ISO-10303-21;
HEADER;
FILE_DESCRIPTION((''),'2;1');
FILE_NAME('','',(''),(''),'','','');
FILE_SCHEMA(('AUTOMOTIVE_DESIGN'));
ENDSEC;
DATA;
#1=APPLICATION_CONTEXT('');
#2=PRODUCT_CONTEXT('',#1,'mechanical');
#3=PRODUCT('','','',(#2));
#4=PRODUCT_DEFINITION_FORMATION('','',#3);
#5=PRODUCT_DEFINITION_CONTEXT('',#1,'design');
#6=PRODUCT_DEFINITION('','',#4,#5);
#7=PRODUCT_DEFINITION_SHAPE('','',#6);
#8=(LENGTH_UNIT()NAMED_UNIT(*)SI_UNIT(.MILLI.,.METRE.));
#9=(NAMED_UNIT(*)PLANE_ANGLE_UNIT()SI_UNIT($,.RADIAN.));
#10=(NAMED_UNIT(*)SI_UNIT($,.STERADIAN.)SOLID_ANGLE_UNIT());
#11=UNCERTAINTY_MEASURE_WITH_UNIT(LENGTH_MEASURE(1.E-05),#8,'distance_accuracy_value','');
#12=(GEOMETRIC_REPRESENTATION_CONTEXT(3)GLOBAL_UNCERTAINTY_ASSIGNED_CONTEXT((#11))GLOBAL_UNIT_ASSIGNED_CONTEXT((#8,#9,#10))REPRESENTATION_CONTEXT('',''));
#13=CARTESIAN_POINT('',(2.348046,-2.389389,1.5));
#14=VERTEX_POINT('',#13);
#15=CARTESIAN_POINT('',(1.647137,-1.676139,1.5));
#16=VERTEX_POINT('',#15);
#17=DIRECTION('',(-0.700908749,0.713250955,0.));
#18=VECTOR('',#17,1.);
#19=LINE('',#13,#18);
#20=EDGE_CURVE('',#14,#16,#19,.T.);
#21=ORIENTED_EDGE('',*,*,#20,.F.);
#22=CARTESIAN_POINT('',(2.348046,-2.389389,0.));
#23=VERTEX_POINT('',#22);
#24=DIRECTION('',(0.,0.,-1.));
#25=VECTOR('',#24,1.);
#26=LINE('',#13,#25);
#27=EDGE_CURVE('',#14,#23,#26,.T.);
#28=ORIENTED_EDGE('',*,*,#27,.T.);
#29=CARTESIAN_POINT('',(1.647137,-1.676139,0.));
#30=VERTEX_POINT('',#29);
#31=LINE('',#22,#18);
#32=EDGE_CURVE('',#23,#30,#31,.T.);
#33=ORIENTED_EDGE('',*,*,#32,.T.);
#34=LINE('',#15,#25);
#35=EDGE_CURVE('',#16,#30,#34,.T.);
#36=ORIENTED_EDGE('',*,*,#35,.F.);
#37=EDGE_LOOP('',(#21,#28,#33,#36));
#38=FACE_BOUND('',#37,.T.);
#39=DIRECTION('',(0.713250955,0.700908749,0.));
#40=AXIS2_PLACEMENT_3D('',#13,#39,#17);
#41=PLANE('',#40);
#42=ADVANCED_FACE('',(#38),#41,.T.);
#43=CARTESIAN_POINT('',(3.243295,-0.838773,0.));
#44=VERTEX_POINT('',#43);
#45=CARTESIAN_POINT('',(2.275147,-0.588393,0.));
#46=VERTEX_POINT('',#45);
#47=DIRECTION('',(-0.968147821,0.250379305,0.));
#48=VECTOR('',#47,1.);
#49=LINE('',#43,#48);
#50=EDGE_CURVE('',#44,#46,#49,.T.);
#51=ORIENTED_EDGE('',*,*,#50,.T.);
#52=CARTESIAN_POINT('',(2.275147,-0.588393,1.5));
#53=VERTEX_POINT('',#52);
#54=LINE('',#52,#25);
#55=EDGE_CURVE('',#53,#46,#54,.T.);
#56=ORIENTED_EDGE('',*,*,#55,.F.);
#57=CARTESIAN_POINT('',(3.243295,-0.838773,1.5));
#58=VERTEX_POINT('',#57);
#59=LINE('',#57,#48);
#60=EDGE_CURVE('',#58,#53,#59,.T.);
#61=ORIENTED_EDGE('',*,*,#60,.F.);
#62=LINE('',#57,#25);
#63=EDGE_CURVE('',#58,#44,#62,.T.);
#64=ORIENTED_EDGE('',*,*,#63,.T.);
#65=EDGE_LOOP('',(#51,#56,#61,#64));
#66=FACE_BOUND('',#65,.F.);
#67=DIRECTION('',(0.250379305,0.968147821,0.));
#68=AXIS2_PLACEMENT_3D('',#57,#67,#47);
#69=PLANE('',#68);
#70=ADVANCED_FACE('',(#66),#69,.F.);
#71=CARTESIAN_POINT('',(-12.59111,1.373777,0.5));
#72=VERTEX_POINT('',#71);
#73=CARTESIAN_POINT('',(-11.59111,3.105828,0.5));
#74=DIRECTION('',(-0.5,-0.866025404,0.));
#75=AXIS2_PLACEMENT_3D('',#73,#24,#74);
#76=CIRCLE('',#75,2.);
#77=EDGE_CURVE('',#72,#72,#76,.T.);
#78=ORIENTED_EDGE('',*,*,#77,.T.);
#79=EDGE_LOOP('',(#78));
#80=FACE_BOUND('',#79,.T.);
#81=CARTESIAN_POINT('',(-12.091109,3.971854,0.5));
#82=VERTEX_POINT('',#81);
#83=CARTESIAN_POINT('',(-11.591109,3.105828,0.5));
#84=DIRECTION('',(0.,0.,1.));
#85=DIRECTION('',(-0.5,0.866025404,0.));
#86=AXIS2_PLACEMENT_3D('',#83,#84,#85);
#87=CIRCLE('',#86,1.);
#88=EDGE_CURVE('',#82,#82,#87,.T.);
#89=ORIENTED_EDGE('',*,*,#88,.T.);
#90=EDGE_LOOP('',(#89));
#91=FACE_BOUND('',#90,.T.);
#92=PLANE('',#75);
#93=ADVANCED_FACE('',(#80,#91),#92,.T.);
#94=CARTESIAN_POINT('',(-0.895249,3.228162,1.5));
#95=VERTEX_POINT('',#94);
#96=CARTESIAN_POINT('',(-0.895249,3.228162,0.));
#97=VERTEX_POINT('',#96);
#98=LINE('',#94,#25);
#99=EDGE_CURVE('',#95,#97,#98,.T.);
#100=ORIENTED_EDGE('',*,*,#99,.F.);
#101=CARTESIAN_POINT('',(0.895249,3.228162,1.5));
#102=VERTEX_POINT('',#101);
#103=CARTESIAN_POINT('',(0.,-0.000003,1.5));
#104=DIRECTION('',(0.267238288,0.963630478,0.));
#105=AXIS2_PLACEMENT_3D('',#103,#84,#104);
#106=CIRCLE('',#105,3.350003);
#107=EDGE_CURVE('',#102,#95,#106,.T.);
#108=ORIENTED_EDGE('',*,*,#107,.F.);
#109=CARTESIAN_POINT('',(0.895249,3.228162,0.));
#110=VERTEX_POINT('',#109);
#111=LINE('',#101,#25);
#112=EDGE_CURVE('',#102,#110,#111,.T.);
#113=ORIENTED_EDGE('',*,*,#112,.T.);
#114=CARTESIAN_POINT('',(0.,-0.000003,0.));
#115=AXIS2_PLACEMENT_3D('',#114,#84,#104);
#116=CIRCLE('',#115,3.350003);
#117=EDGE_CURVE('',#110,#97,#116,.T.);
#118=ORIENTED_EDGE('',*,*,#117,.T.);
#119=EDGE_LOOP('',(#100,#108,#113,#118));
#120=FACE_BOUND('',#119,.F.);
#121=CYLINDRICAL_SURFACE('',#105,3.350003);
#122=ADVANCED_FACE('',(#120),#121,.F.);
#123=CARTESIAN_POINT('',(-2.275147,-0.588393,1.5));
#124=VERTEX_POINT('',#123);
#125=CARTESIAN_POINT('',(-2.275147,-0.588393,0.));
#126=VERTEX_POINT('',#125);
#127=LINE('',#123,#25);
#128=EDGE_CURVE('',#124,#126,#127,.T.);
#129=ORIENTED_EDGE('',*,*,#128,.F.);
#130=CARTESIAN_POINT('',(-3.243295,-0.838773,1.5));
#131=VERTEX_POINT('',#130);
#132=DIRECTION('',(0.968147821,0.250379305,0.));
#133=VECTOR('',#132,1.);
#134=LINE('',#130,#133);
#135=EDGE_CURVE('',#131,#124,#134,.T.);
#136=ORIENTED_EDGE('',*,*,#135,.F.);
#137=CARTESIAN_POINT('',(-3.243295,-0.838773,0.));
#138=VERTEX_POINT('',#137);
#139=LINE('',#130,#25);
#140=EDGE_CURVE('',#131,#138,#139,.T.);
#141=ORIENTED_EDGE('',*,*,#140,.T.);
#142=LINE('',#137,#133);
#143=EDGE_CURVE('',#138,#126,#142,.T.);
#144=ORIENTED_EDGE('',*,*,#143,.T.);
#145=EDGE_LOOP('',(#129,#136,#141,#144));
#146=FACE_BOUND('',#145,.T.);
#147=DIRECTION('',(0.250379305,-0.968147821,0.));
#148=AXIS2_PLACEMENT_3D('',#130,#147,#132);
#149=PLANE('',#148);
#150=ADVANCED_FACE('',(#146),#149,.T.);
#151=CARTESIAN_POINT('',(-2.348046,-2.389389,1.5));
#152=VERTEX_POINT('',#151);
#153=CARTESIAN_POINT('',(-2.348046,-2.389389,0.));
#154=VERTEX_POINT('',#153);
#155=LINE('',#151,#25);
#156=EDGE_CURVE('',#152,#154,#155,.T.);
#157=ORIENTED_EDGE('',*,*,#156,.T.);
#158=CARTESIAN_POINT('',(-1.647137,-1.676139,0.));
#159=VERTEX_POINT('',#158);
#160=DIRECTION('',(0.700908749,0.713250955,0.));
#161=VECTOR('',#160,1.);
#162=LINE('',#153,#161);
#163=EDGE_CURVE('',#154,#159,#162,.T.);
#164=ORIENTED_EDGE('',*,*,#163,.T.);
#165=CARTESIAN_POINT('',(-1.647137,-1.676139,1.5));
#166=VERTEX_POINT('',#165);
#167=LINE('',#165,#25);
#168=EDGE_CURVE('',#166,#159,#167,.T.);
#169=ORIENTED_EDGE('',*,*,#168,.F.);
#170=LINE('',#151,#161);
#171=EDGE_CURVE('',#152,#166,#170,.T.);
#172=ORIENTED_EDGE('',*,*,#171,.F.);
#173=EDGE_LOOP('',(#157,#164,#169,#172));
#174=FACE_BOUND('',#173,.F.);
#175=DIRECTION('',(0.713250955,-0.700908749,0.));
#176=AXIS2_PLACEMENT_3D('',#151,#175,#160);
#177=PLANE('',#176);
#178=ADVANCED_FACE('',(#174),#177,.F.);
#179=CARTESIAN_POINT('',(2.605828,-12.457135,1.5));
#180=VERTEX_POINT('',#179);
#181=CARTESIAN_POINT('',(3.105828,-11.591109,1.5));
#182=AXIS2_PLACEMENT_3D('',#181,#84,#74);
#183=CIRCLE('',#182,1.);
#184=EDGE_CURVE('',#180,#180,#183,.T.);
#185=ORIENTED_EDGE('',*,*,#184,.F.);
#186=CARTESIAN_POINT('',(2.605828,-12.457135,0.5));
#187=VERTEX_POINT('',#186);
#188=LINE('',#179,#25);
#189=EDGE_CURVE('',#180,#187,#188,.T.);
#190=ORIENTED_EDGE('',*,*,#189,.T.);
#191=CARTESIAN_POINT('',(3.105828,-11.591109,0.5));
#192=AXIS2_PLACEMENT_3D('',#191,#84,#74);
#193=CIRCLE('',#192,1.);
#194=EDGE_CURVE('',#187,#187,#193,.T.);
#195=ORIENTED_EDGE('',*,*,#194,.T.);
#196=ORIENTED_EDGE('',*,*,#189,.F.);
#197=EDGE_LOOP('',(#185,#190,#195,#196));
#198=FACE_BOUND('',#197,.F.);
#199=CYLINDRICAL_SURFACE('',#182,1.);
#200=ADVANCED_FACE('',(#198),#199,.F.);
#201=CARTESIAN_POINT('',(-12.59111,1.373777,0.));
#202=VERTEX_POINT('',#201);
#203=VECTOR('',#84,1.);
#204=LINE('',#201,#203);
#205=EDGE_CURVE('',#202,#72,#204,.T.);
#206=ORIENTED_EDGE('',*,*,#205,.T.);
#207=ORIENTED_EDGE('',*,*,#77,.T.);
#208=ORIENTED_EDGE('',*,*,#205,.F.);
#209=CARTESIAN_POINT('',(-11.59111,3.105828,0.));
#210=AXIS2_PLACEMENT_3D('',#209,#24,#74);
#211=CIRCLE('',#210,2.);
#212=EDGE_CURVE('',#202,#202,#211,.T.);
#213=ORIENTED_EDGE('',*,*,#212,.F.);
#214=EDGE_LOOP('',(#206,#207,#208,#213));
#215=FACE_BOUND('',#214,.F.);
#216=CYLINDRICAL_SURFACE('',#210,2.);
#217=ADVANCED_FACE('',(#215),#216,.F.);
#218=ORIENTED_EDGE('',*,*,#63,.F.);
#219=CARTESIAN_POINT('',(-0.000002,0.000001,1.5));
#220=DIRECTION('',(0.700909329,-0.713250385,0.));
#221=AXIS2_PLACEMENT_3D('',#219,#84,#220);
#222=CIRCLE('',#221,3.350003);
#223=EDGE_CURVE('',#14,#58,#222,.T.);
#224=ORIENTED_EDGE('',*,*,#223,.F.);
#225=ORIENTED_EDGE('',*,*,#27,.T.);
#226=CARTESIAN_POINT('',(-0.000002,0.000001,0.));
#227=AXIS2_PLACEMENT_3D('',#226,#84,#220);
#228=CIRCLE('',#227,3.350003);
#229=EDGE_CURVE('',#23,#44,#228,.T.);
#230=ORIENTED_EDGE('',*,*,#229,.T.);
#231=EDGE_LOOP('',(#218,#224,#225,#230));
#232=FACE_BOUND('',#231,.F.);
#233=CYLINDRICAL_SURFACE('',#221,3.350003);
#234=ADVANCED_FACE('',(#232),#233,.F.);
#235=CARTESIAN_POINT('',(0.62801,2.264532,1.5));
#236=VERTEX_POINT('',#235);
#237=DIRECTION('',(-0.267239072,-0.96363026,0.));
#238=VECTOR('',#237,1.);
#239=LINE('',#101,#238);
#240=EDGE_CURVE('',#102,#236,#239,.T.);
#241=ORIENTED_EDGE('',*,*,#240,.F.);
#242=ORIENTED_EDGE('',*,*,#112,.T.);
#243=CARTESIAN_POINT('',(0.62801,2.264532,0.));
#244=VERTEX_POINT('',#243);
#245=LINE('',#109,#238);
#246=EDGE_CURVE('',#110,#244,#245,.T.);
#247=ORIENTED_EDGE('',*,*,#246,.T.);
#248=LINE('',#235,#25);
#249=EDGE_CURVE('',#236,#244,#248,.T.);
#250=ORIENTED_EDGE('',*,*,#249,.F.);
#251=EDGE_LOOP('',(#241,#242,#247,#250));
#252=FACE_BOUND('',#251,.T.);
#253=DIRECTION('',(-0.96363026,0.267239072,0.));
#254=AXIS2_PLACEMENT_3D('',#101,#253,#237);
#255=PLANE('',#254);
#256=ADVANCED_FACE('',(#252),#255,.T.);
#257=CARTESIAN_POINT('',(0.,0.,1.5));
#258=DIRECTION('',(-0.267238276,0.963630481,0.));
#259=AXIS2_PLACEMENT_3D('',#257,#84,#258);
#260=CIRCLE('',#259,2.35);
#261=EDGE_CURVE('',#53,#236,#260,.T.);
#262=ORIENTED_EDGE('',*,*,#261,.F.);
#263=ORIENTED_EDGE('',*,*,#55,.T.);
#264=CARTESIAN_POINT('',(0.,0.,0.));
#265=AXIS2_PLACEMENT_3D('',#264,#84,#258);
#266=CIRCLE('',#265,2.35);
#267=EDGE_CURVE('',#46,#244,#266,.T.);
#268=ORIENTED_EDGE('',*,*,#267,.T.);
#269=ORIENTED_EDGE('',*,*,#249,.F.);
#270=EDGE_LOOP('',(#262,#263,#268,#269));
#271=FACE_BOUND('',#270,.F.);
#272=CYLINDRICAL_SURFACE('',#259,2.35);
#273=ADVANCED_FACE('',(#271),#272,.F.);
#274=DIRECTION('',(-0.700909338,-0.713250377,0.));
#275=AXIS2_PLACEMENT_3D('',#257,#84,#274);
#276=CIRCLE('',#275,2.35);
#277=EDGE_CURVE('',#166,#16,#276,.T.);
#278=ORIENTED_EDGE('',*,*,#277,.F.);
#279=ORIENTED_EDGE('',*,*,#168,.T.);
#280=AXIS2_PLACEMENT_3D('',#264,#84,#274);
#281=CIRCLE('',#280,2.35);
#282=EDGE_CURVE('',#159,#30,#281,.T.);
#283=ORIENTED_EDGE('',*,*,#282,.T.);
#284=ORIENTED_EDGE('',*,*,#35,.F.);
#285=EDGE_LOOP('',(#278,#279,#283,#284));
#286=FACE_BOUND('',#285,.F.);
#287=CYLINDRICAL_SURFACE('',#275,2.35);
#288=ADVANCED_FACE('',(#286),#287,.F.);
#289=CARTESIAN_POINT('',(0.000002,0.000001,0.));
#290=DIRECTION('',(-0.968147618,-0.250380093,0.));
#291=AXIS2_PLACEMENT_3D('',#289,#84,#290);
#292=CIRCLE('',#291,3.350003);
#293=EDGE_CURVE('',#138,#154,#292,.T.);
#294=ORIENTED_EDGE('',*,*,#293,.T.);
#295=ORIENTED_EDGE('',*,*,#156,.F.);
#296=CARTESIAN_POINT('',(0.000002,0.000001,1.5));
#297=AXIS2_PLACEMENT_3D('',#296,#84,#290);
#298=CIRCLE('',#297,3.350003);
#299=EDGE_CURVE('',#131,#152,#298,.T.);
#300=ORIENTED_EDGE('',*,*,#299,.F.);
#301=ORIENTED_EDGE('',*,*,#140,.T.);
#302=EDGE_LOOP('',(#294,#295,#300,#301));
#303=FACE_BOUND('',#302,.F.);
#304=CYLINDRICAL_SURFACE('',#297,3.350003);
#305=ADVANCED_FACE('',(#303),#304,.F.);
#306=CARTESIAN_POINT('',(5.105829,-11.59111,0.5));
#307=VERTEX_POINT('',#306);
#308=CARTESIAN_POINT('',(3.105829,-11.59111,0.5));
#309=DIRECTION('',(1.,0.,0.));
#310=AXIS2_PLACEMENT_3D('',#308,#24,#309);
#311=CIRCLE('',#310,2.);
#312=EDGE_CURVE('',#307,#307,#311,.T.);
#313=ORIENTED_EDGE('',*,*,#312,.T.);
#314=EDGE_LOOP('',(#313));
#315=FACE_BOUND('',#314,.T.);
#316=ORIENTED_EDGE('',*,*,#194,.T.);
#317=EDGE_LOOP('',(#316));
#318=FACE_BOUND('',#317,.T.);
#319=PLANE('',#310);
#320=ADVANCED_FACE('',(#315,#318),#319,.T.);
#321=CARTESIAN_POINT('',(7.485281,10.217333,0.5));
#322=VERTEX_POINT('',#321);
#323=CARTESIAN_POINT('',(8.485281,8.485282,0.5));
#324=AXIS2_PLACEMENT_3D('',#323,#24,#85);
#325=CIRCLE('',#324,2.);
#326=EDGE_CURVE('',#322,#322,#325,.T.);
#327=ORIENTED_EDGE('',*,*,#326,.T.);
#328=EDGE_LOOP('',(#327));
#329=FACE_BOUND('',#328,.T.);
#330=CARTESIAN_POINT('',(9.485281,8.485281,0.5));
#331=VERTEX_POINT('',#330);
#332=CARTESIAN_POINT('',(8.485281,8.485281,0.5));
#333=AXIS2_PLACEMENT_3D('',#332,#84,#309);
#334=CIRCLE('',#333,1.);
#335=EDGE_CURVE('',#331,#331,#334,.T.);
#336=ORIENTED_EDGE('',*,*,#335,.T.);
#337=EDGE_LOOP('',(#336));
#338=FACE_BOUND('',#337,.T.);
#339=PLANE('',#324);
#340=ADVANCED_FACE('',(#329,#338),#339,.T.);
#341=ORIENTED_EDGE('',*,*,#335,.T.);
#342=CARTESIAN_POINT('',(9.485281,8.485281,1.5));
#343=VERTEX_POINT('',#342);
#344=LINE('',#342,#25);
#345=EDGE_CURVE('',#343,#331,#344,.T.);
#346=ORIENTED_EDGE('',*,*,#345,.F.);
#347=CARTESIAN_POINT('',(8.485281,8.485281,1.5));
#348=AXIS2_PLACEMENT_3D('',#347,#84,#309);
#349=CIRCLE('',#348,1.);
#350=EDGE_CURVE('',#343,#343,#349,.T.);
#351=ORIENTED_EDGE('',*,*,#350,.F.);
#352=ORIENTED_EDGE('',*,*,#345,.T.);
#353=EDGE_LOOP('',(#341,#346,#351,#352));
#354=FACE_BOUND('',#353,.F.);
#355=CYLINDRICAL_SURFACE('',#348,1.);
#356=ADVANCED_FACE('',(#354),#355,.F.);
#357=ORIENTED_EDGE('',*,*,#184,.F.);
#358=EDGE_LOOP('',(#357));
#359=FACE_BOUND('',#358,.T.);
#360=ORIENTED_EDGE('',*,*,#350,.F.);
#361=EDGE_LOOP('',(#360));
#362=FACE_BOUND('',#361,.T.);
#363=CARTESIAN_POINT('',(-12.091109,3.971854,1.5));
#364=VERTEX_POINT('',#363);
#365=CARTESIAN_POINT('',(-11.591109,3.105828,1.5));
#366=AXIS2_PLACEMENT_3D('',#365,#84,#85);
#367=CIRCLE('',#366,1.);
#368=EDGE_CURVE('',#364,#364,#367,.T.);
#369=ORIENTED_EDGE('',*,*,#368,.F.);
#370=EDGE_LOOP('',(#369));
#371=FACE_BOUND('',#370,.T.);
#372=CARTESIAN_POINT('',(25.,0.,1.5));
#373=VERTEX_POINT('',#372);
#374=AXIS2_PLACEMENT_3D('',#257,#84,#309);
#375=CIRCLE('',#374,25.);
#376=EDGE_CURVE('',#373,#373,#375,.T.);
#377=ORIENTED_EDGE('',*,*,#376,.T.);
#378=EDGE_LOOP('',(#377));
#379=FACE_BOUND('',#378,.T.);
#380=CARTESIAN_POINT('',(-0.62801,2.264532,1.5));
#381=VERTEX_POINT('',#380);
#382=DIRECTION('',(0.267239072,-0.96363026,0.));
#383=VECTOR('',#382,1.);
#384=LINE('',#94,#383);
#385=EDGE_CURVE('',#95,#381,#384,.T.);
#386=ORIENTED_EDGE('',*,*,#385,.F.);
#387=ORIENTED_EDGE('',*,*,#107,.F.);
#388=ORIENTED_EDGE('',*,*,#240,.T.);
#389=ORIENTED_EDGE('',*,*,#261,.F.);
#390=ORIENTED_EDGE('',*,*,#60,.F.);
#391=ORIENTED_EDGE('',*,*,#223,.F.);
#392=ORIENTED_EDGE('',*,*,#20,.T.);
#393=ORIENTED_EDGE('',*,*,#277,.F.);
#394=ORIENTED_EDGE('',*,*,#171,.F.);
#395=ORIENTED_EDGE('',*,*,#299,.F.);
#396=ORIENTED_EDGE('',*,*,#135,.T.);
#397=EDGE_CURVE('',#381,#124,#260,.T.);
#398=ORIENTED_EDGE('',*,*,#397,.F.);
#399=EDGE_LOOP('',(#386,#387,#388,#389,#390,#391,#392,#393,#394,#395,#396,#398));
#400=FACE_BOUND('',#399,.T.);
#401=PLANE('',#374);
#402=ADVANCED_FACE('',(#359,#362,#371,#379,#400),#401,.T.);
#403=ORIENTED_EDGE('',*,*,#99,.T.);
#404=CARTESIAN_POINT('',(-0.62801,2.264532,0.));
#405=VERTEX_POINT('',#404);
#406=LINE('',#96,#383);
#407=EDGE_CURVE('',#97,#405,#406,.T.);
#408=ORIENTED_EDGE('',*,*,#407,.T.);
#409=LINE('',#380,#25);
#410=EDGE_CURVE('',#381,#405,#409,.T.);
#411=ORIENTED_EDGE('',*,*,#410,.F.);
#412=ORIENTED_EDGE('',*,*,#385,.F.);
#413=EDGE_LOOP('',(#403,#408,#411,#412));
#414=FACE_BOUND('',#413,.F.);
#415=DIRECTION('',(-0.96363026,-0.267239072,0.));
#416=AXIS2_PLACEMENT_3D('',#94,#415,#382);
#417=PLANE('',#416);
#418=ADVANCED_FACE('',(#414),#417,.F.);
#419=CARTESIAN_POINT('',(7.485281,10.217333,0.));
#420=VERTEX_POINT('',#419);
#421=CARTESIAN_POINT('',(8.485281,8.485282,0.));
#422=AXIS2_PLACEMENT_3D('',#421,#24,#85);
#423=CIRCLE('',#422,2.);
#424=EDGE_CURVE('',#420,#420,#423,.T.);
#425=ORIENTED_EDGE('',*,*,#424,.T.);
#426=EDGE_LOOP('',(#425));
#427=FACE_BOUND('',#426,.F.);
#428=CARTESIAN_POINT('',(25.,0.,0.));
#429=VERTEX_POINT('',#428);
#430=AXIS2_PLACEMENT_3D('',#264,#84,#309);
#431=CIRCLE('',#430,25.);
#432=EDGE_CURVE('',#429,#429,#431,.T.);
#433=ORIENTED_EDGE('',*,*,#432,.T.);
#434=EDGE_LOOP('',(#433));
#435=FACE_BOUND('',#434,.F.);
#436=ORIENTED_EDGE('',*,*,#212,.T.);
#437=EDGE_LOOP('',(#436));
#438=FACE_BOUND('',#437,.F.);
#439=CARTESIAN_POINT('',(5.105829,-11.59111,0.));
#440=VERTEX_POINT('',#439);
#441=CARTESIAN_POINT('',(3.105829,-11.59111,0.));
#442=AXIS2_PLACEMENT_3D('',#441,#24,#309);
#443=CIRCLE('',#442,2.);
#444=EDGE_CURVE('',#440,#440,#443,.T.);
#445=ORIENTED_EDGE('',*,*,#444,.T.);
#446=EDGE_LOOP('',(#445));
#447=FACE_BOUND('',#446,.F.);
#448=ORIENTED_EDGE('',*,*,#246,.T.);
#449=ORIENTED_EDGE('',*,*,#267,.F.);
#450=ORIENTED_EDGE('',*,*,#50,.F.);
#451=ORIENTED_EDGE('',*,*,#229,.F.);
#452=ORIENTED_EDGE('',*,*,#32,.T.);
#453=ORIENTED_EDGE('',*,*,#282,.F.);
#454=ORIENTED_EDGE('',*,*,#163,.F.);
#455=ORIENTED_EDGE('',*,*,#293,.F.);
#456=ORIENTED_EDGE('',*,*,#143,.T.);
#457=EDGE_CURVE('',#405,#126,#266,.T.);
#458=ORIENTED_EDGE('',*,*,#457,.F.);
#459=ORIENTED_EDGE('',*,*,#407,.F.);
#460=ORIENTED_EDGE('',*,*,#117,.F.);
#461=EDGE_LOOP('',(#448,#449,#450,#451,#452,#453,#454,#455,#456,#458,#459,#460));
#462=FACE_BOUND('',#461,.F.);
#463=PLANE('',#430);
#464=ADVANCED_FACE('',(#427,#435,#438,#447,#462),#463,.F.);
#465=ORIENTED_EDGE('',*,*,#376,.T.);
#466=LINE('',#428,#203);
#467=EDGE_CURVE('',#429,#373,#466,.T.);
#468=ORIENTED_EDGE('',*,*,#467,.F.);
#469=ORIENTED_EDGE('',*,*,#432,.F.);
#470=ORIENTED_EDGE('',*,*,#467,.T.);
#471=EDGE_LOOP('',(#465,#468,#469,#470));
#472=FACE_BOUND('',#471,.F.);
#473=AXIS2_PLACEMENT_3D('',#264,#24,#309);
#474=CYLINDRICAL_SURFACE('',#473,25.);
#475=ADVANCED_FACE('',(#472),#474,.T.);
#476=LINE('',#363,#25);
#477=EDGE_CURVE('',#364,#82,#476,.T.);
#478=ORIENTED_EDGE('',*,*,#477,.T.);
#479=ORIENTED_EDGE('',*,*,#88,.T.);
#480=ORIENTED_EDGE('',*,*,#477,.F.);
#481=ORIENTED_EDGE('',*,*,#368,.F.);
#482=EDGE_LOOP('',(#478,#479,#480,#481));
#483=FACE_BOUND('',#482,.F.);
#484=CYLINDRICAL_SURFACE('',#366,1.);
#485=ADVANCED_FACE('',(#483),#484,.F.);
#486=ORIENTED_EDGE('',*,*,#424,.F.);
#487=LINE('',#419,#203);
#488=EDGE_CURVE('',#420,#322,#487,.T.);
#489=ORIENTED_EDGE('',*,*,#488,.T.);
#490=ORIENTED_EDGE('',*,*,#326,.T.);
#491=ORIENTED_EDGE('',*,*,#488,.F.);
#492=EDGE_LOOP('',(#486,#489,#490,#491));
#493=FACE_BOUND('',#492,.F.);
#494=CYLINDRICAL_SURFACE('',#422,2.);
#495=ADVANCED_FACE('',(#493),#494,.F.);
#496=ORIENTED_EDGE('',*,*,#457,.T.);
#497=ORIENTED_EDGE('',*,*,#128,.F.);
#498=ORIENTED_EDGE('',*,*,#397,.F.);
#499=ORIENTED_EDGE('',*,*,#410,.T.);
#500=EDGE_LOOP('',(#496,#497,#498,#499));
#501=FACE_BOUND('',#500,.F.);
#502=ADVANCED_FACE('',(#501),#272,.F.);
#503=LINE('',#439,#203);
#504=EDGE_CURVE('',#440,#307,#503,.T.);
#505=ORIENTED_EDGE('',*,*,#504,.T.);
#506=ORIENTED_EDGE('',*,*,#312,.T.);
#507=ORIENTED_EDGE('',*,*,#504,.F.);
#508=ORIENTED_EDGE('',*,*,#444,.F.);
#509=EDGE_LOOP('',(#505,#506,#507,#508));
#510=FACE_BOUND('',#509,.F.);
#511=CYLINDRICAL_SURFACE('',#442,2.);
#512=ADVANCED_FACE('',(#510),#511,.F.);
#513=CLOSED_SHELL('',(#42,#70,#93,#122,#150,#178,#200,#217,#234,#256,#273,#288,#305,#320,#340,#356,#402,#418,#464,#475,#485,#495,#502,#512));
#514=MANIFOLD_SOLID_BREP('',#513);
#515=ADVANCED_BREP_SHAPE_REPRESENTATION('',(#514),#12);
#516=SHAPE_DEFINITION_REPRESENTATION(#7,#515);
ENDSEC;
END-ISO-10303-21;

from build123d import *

# Parameters (mm, degrees)
SKETCH_R              = 25
PAD_DEPTH             = 1.5
POCKET_DEPTH          = 1.5
POLARPATTERN_COUNT    = 3
SKETCH002_R           = 1
POCKET001_DEPTH       = 5
POLARPATTERN001_COUNT = 3
SKETCH003_R           = 2
POCKET002_DEPTH       = 0.5
POLARPATTERN002_COUNT = 3


with BuildPart() as part:
    # Sketch → Pad (new body)
    with BuildSketch(Plane.XY):
        Circle(SKETCH_R)
    extrude(amount=PAD_DEPTH)

    # Sketch001 (on Face3 of Pad) → Pocket (cut)
    with BuildSketch(Plane.XY.offset(1.5)):
        with BuildLine():
            ThreePointArc((-0.62801, 2.264532), (0, -2.35), (0.62801, 2.264532))
            Line((0.895249, 3.228162), (0.62801, 2.264532))
            ThreePointArc((0.895249, 3.228162), (0, 3.35), (-0.895249, 3.228162))
            Line((-0.895249, 3.228162), (-0.62801, 2.264532))
        make_face()
    pocket = extrude(amount=-POCKET_DEPTH, mode=Mode.SUBTRACT)

    # PolarPattern: Pocket ×3 about axis
    polarpattern_axis = Axis((0, 0, 1.5), (0, 0, 1))
    for i in range(1, POLARPATTERN_COUNT):
        add(pocket.rotate(polarpattern_axis, i * 360 / POLARPATTERN_COUNT), mode=Mode.SUBTRACT)

    # Sketch002 (on Face3 of PolarPattern) → Pocket001 (cut)
    with BuildSketch(Plane.XY.offset(1.5)):
        with Locations((8.485281, 8.485281)):
            Circle(SKETCH002_R)
    pocket001 = extrude(amount=-POCKET001_DEPTH, mode=Mode.SUBTRACT)

    # PolarPattern001: Pocket001 ×3 about axis
    polarpattern001_axis = Axis((0, 0, 1.5), (0, 0, 1))
    for i in range(1, POLARPATTERN001_COUNT):
        add(pocket001.rotate(polarpattern001_axis, i * 360 / POLARPATTERN001_COUNT), mode=Mode.SUBTRACT)

    # Sketch003 (on Face2 of PolarPattern001) → Pocket002 (cut)
    with BuildSketch(Plane(origin=(0, 0, 0), x_dir=(1, 0, 0), z_dir=(0, 0, -1))):
        with Locations((3.105829, 11.59111)):
            Circle(SKETCH003_R)
    pocket002 = extrude(amount=-POCKET002_DEPTH, mode=Mode.SUBTRACT)

    # PolarPattern002: Pocket002 ×3 about axis
    polarpattern002_axis = Axis((0, 0, 0), (0, 0, -1))
    for i in range(1, POLARPATTERN002_COUNT):
        add(pocket002.rotate(polarpattern002_axis, i * 360 / POLARPATTERN002_COUNT), mode=Mode.SUBTRACT)


solid = part.part
